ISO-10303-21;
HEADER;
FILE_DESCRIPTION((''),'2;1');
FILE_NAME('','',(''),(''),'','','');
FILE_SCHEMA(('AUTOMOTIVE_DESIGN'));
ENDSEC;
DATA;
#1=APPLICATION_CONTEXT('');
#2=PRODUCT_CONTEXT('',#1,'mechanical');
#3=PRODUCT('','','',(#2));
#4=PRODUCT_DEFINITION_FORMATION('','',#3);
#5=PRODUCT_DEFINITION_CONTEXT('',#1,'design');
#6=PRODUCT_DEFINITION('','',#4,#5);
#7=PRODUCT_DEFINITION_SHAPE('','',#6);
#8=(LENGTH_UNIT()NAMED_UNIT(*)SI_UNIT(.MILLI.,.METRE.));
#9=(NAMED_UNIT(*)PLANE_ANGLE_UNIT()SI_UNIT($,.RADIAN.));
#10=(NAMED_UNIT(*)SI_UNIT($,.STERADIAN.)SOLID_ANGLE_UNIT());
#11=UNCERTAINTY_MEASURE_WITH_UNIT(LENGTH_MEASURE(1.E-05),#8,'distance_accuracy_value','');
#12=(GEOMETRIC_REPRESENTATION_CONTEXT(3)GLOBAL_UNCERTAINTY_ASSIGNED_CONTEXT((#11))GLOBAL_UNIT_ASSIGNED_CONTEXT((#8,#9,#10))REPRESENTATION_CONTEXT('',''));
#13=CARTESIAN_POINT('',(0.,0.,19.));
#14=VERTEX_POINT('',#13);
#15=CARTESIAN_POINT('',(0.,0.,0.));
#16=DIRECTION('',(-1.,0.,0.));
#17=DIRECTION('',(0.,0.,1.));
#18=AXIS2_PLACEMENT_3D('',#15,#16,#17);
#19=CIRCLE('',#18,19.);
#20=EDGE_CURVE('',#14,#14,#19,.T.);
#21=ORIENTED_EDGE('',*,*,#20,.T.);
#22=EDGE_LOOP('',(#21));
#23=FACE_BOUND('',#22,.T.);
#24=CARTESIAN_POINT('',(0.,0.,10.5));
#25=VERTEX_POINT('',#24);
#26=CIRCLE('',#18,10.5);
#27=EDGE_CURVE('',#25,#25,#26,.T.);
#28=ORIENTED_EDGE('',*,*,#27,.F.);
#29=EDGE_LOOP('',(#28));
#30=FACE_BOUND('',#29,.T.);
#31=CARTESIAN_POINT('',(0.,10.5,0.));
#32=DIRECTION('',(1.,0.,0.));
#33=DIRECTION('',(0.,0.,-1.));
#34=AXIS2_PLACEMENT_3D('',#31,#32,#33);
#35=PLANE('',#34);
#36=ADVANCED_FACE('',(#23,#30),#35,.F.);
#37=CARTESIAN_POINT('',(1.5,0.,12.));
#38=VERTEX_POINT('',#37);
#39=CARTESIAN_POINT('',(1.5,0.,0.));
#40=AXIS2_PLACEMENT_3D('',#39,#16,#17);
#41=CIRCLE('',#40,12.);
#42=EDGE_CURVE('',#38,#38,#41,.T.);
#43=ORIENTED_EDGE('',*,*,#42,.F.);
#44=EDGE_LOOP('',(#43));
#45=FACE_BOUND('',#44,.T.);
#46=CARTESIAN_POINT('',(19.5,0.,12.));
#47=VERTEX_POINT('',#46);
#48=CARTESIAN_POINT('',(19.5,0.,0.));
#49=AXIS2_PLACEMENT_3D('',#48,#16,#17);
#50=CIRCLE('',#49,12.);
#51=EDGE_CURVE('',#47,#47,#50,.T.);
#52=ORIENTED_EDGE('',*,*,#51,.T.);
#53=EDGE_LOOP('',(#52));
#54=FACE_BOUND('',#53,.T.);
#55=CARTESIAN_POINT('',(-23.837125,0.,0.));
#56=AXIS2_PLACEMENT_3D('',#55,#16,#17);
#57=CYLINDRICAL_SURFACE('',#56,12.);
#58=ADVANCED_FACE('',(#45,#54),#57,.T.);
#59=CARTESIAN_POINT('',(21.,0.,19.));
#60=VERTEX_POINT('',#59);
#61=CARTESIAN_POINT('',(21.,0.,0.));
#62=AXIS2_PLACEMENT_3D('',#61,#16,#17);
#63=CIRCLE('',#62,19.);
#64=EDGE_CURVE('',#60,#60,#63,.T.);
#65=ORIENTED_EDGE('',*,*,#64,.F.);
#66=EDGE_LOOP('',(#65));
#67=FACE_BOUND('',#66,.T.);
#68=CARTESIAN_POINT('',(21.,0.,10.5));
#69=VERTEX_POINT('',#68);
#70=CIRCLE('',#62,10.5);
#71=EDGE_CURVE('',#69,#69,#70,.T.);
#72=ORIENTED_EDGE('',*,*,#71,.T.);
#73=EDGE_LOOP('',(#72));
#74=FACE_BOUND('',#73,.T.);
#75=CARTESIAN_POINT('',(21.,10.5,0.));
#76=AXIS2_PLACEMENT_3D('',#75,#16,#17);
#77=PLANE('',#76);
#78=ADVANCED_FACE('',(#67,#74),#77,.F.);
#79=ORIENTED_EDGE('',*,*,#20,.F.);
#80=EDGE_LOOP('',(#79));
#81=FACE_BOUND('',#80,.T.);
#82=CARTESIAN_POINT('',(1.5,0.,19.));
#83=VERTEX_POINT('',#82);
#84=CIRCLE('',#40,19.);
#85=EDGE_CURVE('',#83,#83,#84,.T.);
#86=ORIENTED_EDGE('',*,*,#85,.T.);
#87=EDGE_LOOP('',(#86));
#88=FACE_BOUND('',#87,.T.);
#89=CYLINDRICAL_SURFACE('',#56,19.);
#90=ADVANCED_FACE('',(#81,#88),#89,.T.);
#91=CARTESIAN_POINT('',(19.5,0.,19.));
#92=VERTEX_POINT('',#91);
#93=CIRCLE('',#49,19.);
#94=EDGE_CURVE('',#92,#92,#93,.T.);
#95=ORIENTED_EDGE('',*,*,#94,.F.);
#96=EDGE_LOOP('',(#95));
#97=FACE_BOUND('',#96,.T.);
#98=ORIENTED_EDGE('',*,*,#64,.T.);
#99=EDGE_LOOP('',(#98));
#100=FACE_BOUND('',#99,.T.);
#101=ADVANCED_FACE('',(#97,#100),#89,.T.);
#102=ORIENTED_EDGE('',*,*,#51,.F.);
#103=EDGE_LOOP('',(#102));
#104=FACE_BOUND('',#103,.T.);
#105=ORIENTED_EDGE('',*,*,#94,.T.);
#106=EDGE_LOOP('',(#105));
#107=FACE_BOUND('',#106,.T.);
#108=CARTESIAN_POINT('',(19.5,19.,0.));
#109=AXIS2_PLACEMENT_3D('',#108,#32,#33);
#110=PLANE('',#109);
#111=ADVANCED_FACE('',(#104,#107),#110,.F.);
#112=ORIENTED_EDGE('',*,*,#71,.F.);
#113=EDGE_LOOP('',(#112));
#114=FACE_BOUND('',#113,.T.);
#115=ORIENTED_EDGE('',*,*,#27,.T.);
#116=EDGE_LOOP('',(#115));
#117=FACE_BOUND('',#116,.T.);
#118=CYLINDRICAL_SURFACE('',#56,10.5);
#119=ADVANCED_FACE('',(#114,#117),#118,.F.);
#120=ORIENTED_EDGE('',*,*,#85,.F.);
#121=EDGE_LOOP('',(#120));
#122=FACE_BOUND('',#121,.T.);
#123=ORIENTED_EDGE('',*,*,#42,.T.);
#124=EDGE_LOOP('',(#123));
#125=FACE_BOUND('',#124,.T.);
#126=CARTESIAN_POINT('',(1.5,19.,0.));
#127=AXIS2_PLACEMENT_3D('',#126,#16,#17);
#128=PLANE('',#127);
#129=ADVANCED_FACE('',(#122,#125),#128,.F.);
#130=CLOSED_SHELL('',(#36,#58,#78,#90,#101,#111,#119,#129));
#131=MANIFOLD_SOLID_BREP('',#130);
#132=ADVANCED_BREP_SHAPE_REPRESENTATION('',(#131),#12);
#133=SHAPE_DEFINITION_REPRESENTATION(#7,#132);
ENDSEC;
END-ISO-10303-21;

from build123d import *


with BuildPart() as part:
    # Эскиз1 → Повернуть1 (revolve)
    with BuildSketch(Plane.XY, mode=Mode.PRIVATE) as revolve_1_sk:
        Polygon((19.5, 19), (21, 19), (21, 10.5), (0, 10.5), (0, 19), (1.5, 19), (1.5, 12), (19.5, 12), align=None)
    revolve(revolve_1_sk.sketch.rotate(Axis((-23.837125129, 0, 0), (1, 0, 0)), 90), axis=Axis((-23.837125129, 0, 0), (1, 0, 0)))


solid = part.part
